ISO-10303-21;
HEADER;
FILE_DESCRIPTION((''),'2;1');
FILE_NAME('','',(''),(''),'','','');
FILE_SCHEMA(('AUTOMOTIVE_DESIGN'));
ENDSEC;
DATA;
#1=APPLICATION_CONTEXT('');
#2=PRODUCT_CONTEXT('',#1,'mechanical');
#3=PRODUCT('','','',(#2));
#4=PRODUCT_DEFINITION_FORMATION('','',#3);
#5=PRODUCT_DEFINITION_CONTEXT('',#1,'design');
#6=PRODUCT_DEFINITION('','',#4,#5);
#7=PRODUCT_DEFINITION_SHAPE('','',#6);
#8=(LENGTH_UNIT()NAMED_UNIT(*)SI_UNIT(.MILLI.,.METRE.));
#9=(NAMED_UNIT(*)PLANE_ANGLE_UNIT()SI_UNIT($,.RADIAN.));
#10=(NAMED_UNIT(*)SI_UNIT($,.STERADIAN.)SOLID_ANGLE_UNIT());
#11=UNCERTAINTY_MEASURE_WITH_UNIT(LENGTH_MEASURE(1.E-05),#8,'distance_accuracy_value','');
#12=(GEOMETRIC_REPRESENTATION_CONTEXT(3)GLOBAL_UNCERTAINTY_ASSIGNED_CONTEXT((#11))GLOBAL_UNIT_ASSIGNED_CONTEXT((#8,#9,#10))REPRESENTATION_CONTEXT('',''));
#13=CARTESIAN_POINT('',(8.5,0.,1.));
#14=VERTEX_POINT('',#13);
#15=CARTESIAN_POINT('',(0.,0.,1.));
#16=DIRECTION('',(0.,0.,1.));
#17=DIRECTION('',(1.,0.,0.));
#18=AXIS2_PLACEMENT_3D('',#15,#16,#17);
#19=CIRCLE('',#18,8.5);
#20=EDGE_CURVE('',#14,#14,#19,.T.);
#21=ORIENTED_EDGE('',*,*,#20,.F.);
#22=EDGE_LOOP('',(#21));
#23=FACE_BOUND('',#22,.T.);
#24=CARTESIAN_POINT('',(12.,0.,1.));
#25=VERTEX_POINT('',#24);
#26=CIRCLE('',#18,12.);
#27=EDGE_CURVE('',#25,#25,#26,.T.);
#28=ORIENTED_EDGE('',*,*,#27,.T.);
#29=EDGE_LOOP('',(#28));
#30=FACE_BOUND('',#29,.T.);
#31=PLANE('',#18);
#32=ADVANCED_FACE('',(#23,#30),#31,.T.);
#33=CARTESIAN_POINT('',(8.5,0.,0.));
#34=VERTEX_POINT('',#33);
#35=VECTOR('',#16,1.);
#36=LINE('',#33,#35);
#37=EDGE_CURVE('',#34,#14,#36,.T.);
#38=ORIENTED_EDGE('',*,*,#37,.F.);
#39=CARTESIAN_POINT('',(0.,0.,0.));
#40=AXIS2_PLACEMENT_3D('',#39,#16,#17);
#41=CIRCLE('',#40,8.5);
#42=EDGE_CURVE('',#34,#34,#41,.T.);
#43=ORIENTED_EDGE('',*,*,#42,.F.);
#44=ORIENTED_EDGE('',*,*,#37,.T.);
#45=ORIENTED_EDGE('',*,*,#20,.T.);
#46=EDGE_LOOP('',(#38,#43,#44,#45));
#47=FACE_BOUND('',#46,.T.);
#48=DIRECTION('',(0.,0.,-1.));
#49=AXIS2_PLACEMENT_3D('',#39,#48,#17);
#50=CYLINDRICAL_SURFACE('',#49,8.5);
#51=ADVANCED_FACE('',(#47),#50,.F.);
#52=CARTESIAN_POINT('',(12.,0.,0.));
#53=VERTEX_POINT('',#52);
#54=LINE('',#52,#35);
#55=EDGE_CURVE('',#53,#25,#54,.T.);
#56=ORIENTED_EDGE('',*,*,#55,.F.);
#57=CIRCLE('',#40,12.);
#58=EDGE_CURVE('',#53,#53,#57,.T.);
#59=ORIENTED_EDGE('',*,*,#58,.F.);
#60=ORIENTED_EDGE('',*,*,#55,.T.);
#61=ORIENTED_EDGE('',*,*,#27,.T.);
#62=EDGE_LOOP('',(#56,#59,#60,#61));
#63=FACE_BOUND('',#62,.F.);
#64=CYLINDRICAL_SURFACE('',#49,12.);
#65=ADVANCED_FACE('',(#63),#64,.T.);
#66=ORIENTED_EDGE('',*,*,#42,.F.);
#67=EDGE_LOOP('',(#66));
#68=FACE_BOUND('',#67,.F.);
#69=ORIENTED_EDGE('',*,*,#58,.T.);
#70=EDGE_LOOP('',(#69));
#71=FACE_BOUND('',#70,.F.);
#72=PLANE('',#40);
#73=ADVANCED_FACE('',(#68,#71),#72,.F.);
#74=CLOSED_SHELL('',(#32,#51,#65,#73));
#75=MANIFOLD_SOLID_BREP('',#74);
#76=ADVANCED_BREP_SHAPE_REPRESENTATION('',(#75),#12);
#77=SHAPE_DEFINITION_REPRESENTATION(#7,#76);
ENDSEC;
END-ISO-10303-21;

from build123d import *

# Parameters (mm, degrees)
SKETCH_R   = 12
SKETCH_R_2 = 8.5
PAD_DEPTH  = 1


with BuildPart() as part:
    # Sketch → Pad (new body)
    with BuildSketch(Plane.XY):
        Circle(SKETCH_R)
        Circle(SKETCH_R_2, mode=Mode.SUBTRACT)
    extrude(amount=PAD_DEPTH)


solid = part.part
